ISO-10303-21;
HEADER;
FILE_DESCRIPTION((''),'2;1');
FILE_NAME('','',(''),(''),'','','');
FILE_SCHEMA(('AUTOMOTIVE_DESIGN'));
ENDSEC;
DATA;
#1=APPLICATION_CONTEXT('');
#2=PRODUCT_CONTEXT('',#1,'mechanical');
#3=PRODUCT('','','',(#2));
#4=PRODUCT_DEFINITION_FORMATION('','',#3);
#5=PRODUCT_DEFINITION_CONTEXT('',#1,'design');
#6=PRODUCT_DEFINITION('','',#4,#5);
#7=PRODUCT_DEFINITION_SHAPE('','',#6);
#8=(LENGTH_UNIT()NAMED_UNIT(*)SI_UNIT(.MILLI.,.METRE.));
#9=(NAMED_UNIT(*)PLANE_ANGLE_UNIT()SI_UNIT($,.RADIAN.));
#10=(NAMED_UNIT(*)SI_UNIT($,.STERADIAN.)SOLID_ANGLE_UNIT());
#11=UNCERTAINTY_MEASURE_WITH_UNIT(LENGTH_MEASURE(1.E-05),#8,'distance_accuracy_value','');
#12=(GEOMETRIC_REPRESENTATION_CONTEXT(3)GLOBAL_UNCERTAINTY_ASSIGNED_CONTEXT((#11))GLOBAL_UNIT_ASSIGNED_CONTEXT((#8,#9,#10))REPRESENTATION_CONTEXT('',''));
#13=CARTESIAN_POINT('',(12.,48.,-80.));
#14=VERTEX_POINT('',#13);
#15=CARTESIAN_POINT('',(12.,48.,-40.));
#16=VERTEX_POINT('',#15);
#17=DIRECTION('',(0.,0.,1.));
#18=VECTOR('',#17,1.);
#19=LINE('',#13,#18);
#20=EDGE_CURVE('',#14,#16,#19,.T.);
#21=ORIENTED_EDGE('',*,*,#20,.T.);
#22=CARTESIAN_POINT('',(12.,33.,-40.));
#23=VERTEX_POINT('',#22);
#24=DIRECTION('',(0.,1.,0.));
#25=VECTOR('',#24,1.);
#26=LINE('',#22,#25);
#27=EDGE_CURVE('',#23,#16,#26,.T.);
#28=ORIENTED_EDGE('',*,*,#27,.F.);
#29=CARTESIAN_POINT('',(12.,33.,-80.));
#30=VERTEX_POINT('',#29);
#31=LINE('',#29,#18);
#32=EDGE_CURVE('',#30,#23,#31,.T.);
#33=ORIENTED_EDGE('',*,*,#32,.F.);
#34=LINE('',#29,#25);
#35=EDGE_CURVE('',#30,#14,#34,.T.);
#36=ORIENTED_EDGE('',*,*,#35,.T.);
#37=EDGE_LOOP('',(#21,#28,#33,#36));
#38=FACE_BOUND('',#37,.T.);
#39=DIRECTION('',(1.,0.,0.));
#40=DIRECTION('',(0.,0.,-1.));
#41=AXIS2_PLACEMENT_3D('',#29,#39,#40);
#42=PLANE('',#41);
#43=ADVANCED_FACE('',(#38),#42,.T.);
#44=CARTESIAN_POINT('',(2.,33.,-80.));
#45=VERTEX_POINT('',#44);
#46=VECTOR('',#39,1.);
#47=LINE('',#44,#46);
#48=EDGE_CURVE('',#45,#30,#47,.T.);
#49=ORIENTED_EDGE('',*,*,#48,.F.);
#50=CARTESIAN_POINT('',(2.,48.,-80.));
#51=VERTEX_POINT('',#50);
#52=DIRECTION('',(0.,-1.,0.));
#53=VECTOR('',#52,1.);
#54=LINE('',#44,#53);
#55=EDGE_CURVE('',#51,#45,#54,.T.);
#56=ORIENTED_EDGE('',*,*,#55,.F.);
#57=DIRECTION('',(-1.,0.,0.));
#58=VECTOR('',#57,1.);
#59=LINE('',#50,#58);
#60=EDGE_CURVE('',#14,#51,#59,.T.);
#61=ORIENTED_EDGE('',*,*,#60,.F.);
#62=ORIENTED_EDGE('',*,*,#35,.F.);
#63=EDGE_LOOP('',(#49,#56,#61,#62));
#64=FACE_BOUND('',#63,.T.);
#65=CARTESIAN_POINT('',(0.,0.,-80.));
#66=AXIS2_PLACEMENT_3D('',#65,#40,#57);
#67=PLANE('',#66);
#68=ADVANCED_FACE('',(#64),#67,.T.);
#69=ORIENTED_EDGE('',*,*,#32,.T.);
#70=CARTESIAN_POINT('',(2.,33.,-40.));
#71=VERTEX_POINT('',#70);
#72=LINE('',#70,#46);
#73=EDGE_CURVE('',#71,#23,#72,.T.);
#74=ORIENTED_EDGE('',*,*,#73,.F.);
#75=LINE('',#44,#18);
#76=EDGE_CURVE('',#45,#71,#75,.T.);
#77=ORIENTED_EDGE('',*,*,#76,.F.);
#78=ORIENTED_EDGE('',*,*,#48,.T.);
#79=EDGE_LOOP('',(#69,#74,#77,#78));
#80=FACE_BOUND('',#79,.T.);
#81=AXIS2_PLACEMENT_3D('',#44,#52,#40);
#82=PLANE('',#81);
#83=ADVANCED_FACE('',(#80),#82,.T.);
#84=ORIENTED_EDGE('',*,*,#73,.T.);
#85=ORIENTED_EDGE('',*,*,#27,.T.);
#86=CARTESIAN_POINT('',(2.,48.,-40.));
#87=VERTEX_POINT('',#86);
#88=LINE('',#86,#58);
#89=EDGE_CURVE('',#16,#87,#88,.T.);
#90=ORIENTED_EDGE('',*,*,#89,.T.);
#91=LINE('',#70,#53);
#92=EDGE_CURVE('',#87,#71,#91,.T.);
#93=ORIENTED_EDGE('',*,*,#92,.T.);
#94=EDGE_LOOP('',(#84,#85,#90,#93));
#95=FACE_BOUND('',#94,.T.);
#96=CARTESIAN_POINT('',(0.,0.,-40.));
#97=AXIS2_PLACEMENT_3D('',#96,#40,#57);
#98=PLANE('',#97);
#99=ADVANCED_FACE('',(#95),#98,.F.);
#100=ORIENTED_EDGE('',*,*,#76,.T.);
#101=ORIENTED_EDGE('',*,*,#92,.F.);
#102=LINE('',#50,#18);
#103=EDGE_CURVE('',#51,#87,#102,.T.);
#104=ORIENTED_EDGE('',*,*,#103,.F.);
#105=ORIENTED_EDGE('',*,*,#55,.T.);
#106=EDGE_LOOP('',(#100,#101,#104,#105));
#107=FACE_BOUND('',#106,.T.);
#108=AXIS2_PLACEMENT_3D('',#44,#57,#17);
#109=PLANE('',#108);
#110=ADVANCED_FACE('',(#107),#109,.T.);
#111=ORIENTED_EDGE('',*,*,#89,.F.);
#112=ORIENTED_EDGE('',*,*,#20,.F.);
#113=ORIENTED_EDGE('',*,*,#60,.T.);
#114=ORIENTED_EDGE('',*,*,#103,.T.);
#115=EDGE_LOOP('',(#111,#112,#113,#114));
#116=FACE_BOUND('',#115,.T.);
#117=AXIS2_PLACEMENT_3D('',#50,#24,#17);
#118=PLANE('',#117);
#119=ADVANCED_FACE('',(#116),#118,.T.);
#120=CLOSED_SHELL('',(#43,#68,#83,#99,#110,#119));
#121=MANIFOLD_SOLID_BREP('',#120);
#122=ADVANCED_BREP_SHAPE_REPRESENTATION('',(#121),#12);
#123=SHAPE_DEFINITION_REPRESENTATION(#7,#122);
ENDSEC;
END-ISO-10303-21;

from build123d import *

# Parameters (mm, degrees)
CEK_DONMUS_KAYIS_BAGLANTI_PABUCU_1_START = -40
SKETCH1_W                                = 10
SKETCH1_H                                = 15
CEK_DONMUS_KAYIS_BAGLANTI_PABUCU_1_DEPTH = 40


with BuildPart() as part:
    # Sketch1 → CEK_donmus_kayis_baglanti_pabucu_1 (new body)
    with BuildSketch(Plane.XY.offset(CEK_DONMUS_KAYIS_BAGLANTI_PABUCU_1_START)):
        with Locations((7, 40.5)):
            Rectangle(SKETCH1_W, SKETCH1_H)
    extrude(amount=-CEK_DONMUS_KAYIS_BAGLANTI_PABUCU_1_DEPTH)


solid = part.part
